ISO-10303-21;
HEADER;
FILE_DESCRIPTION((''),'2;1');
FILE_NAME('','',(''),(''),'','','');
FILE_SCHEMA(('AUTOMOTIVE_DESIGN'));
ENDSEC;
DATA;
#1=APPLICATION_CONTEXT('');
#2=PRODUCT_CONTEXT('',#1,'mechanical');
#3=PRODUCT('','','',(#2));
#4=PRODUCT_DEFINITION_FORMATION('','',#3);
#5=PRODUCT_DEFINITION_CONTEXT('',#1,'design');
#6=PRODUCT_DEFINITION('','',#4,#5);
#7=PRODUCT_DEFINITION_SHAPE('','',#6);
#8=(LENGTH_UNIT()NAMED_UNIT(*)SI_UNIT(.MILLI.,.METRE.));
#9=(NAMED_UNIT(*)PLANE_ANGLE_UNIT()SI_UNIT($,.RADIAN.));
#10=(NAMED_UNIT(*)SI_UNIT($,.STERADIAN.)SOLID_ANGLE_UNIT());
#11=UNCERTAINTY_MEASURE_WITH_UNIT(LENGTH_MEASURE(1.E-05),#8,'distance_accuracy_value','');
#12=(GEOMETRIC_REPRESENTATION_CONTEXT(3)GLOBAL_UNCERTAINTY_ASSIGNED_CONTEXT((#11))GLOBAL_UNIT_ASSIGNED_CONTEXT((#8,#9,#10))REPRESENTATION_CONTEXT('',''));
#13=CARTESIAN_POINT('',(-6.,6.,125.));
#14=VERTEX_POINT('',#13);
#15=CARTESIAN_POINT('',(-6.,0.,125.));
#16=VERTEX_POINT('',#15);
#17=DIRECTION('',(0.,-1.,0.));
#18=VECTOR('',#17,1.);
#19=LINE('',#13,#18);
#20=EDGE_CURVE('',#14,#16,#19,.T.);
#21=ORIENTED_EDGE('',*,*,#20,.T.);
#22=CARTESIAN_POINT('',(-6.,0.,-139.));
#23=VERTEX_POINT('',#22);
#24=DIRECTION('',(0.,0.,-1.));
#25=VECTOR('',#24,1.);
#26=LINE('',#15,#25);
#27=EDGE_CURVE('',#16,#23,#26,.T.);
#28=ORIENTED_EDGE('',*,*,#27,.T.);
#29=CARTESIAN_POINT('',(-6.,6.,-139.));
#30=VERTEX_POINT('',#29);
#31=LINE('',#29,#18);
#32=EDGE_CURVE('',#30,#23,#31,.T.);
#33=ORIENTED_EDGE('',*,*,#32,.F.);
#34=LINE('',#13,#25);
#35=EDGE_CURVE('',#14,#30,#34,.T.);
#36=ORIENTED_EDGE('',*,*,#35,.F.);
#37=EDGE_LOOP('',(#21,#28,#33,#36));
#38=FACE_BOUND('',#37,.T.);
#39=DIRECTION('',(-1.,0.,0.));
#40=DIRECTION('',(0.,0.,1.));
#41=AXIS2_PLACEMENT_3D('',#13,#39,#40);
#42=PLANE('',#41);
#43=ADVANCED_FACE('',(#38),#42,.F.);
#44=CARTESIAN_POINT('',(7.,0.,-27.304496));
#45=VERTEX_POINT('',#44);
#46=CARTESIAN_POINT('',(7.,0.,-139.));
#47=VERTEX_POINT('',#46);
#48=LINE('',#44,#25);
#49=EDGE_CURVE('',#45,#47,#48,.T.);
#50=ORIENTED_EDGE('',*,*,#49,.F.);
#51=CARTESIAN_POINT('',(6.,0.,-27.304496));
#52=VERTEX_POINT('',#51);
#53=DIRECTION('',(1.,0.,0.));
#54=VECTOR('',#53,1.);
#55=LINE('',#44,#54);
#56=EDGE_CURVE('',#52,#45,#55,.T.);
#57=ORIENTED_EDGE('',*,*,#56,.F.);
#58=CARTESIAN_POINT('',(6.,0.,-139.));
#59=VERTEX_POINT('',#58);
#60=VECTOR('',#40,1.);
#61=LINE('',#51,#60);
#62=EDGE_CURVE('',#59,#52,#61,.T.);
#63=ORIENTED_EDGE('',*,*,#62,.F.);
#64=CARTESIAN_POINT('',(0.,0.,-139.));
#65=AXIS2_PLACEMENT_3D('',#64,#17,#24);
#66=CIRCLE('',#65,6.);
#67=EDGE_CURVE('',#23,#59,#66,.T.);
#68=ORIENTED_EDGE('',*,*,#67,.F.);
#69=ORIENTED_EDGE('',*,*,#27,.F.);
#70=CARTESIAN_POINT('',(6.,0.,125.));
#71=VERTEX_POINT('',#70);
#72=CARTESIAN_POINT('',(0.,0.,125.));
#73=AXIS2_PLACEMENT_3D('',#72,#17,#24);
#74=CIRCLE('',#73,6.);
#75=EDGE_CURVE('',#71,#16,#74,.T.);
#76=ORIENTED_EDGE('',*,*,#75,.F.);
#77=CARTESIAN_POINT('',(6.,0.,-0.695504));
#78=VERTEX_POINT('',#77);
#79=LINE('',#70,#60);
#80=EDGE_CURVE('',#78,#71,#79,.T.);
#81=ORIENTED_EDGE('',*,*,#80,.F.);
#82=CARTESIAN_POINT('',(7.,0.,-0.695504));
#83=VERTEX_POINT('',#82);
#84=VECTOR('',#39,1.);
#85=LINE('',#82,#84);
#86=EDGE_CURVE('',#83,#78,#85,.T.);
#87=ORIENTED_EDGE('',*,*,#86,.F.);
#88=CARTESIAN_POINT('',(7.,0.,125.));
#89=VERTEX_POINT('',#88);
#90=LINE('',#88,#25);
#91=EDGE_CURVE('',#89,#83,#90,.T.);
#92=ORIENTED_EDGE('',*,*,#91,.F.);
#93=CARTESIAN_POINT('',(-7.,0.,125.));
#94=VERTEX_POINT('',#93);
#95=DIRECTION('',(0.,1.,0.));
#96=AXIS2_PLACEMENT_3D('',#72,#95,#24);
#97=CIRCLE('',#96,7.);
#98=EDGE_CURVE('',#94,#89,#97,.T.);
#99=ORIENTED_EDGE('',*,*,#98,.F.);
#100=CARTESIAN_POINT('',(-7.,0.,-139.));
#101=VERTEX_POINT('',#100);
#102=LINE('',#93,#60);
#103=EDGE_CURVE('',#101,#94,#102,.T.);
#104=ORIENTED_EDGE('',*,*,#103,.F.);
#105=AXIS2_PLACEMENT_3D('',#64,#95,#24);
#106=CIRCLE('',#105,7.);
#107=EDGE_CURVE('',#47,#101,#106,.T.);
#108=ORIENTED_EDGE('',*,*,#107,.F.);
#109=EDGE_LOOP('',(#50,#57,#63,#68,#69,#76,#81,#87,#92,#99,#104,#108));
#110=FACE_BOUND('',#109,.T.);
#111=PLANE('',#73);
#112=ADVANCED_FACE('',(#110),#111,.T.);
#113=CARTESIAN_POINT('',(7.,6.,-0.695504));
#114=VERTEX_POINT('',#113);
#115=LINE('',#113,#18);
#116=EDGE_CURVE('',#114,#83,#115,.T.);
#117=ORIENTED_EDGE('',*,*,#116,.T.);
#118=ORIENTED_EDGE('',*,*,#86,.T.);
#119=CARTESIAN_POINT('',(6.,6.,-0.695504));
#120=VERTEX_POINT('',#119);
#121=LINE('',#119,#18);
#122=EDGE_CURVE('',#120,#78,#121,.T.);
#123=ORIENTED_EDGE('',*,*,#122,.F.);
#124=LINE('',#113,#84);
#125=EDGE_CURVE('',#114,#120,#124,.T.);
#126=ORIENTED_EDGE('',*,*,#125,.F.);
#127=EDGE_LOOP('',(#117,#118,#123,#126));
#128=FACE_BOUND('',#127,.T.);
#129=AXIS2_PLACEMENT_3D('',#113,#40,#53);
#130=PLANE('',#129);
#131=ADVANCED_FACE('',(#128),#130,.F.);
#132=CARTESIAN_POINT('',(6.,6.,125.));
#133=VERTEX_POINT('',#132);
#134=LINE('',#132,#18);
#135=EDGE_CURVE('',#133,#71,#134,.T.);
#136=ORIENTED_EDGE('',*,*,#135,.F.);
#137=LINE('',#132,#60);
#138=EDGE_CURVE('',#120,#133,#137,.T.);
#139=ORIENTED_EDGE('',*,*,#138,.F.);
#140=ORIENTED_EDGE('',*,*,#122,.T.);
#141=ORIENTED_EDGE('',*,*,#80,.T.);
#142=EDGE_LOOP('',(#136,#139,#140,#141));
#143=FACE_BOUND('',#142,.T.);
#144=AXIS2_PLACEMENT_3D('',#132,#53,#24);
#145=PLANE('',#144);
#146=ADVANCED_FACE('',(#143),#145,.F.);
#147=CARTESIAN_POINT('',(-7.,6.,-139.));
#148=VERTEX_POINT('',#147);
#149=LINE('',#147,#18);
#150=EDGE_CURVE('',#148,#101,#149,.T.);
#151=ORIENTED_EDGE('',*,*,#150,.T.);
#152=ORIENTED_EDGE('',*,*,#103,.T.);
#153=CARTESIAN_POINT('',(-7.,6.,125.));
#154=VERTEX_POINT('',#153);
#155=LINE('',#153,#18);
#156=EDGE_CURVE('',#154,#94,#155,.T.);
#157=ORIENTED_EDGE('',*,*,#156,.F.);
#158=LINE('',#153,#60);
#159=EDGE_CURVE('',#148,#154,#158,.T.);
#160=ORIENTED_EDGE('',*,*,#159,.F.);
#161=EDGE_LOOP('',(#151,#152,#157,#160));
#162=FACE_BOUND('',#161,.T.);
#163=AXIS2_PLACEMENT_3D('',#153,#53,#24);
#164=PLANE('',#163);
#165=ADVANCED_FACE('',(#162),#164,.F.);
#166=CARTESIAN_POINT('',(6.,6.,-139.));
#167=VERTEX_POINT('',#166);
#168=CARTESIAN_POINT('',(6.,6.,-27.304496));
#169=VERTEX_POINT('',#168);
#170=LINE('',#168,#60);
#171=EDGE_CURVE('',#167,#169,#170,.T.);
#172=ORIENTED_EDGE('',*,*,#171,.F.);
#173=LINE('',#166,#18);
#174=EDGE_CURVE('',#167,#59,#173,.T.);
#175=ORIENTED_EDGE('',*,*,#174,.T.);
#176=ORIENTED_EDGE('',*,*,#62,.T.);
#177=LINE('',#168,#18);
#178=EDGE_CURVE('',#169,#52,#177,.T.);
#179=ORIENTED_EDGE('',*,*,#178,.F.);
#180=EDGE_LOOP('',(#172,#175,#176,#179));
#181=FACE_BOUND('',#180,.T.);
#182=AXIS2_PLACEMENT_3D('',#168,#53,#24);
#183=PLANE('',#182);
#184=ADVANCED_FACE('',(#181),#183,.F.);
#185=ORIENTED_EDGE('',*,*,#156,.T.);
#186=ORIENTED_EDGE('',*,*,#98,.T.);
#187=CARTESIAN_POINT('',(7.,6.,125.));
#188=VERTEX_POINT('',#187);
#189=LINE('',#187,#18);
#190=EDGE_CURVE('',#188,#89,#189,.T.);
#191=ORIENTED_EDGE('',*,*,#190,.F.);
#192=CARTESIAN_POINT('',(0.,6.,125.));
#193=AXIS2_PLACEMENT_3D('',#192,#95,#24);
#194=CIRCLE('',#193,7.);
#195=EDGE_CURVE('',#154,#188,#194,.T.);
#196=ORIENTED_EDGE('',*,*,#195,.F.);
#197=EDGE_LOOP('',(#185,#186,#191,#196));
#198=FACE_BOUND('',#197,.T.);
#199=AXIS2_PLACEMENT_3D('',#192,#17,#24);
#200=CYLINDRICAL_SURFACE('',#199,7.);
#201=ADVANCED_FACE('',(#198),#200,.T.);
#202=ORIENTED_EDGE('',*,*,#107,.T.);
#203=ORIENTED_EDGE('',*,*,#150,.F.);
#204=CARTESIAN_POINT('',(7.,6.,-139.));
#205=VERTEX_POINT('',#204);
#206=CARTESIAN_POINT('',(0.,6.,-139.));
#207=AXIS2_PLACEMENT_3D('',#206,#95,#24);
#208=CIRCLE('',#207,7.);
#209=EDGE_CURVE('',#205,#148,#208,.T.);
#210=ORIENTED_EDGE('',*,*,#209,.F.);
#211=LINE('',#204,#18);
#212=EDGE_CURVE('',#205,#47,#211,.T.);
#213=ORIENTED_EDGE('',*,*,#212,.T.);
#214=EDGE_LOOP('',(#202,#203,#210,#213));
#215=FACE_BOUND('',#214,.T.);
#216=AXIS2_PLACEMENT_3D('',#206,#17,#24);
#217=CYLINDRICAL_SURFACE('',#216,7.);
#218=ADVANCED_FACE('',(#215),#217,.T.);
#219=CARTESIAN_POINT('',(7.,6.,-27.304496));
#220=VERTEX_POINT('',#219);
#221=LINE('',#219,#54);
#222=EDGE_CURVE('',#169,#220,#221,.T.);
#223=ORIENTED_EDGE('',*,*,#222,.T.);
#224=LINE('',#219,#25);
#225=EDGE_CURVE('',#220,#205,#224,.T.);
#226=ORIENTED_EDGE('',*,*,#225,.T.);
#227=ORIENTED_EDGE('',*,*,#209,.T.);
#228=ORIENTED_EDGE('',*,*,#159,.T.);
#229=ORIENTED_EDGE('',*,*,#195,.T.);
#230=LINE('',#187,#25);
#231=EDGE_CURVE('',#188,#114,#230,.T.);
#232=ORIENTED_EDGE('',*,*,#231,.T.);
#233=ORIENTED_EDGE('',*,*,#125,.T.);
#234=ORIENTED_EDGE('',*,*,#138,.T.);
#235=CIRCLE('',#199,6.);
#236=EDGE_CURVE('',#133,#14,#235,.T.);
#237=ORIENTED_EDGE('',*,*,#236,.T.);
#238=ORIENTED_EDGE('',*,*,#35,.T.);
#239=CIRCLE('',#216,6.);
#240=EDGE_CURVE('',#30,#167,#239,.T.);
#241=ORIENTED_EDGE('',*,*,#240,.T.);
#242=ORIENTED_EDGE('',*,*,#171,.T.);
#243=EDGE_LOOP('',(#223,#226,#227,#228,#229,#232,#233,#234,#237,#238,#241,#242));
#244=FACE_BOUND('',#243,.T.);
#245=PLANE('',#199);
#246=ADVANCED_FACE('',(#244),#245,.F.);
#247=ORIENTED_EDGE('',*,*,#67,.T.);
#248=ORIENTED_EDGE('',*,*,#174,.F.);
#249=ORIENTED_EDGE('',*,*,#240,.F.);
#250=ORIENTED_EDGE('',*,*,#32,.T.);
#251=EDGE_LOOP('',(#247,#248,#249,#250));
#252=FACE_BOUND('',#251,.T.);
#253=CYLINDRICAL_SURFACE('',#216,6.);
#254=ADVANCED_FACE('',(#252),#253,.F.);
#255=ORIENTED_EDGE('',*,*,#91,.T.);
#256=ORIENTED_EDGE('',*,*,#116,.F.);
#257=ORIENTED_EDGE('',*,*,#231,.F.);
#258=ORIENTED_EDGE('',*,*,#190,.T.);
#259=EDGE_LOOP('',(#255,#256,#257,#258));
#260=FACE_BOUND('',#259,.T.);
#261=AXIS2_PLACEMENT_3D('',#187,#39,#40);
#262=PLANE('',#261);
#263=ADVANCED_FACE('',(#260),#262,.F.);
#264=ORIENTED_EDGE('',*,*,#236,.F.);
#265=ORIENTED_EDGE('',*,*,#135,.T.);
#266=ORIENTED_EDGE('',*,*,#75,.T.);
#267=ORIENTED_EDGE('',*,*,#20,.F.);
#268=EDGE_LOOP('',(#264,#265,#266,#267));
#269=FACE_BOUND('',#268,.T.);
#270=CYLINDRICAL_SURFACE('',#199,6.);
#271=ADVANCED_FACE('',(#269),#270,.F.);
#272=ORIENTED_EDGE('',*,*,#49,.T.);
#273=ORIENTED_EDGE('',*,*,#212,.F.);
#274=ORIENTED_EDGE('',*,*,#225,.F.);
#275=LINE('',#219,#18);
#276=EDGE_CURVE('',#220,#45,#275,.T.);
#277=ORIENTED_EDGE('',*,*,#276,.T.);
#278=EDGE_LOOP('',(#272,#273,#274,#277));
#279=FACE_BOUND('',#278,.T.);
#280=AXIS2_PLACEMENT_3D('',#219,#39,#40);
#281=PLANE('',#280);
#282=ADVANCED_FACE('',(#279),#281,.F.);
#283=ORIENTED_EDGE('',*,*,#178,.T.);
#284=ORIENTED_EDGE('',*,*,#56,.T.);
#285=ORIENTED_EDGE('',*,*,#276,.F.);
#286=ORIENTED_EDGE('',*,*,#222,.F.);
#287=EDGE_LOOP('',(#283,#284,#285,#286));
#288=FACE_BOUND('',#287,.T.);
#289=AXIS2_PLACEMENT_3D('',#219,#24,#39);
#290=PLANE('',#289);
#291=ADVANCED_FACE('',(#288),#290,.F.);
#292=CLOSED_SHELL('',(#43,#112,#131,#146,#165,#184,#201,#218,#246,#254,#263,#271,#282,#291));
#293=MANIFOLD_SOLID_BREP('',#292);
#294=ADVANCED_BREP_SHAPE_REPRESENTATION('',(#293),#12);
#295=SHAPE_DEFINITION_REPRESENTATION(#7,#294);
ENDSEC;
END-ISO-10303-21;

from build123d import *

# Parameters (mm, degrees)
BOSS_EXTRUDE1_DEPTH = 6


with BuildPart() as part:
    # Sketch2 → Boss-Extrude1 (new body)
    with BuildSketch(Plane(origin=(0, 0, 0), x_dir=(1, 0, 0), z_dir=(0, 1, 0))):
        with BuildLine():
            Line((-6, -125), (-6, 139))
            ThreePointArc((-6, 139), (0, 145), (6, 139))
            Line((6, 139), (6, 27.304495783))
            Line((6, 27.304495783), (7, 27.304495783))
            Line((7, 27.304495783), (7, 139))
            ThreePointArc((7, 139), (0, 146), (-7, 139))
            Line((-7, 139), (-7, -125))
            ThreePointArc((-7, -125), (0, -132), (7, -125))
            Line((7, -125), (7, 0.695504217))
            Line((7, 0.695504217), (6, 0.695504217))
            Line((6, 0.695504217), (6, -125))
            ThreePointArc((6, -125), (0, -131), (-6, -125))
        make_face()
    extrude(amount=BOSS_EXTRUDE1_DEPTH)


solid = part.part
